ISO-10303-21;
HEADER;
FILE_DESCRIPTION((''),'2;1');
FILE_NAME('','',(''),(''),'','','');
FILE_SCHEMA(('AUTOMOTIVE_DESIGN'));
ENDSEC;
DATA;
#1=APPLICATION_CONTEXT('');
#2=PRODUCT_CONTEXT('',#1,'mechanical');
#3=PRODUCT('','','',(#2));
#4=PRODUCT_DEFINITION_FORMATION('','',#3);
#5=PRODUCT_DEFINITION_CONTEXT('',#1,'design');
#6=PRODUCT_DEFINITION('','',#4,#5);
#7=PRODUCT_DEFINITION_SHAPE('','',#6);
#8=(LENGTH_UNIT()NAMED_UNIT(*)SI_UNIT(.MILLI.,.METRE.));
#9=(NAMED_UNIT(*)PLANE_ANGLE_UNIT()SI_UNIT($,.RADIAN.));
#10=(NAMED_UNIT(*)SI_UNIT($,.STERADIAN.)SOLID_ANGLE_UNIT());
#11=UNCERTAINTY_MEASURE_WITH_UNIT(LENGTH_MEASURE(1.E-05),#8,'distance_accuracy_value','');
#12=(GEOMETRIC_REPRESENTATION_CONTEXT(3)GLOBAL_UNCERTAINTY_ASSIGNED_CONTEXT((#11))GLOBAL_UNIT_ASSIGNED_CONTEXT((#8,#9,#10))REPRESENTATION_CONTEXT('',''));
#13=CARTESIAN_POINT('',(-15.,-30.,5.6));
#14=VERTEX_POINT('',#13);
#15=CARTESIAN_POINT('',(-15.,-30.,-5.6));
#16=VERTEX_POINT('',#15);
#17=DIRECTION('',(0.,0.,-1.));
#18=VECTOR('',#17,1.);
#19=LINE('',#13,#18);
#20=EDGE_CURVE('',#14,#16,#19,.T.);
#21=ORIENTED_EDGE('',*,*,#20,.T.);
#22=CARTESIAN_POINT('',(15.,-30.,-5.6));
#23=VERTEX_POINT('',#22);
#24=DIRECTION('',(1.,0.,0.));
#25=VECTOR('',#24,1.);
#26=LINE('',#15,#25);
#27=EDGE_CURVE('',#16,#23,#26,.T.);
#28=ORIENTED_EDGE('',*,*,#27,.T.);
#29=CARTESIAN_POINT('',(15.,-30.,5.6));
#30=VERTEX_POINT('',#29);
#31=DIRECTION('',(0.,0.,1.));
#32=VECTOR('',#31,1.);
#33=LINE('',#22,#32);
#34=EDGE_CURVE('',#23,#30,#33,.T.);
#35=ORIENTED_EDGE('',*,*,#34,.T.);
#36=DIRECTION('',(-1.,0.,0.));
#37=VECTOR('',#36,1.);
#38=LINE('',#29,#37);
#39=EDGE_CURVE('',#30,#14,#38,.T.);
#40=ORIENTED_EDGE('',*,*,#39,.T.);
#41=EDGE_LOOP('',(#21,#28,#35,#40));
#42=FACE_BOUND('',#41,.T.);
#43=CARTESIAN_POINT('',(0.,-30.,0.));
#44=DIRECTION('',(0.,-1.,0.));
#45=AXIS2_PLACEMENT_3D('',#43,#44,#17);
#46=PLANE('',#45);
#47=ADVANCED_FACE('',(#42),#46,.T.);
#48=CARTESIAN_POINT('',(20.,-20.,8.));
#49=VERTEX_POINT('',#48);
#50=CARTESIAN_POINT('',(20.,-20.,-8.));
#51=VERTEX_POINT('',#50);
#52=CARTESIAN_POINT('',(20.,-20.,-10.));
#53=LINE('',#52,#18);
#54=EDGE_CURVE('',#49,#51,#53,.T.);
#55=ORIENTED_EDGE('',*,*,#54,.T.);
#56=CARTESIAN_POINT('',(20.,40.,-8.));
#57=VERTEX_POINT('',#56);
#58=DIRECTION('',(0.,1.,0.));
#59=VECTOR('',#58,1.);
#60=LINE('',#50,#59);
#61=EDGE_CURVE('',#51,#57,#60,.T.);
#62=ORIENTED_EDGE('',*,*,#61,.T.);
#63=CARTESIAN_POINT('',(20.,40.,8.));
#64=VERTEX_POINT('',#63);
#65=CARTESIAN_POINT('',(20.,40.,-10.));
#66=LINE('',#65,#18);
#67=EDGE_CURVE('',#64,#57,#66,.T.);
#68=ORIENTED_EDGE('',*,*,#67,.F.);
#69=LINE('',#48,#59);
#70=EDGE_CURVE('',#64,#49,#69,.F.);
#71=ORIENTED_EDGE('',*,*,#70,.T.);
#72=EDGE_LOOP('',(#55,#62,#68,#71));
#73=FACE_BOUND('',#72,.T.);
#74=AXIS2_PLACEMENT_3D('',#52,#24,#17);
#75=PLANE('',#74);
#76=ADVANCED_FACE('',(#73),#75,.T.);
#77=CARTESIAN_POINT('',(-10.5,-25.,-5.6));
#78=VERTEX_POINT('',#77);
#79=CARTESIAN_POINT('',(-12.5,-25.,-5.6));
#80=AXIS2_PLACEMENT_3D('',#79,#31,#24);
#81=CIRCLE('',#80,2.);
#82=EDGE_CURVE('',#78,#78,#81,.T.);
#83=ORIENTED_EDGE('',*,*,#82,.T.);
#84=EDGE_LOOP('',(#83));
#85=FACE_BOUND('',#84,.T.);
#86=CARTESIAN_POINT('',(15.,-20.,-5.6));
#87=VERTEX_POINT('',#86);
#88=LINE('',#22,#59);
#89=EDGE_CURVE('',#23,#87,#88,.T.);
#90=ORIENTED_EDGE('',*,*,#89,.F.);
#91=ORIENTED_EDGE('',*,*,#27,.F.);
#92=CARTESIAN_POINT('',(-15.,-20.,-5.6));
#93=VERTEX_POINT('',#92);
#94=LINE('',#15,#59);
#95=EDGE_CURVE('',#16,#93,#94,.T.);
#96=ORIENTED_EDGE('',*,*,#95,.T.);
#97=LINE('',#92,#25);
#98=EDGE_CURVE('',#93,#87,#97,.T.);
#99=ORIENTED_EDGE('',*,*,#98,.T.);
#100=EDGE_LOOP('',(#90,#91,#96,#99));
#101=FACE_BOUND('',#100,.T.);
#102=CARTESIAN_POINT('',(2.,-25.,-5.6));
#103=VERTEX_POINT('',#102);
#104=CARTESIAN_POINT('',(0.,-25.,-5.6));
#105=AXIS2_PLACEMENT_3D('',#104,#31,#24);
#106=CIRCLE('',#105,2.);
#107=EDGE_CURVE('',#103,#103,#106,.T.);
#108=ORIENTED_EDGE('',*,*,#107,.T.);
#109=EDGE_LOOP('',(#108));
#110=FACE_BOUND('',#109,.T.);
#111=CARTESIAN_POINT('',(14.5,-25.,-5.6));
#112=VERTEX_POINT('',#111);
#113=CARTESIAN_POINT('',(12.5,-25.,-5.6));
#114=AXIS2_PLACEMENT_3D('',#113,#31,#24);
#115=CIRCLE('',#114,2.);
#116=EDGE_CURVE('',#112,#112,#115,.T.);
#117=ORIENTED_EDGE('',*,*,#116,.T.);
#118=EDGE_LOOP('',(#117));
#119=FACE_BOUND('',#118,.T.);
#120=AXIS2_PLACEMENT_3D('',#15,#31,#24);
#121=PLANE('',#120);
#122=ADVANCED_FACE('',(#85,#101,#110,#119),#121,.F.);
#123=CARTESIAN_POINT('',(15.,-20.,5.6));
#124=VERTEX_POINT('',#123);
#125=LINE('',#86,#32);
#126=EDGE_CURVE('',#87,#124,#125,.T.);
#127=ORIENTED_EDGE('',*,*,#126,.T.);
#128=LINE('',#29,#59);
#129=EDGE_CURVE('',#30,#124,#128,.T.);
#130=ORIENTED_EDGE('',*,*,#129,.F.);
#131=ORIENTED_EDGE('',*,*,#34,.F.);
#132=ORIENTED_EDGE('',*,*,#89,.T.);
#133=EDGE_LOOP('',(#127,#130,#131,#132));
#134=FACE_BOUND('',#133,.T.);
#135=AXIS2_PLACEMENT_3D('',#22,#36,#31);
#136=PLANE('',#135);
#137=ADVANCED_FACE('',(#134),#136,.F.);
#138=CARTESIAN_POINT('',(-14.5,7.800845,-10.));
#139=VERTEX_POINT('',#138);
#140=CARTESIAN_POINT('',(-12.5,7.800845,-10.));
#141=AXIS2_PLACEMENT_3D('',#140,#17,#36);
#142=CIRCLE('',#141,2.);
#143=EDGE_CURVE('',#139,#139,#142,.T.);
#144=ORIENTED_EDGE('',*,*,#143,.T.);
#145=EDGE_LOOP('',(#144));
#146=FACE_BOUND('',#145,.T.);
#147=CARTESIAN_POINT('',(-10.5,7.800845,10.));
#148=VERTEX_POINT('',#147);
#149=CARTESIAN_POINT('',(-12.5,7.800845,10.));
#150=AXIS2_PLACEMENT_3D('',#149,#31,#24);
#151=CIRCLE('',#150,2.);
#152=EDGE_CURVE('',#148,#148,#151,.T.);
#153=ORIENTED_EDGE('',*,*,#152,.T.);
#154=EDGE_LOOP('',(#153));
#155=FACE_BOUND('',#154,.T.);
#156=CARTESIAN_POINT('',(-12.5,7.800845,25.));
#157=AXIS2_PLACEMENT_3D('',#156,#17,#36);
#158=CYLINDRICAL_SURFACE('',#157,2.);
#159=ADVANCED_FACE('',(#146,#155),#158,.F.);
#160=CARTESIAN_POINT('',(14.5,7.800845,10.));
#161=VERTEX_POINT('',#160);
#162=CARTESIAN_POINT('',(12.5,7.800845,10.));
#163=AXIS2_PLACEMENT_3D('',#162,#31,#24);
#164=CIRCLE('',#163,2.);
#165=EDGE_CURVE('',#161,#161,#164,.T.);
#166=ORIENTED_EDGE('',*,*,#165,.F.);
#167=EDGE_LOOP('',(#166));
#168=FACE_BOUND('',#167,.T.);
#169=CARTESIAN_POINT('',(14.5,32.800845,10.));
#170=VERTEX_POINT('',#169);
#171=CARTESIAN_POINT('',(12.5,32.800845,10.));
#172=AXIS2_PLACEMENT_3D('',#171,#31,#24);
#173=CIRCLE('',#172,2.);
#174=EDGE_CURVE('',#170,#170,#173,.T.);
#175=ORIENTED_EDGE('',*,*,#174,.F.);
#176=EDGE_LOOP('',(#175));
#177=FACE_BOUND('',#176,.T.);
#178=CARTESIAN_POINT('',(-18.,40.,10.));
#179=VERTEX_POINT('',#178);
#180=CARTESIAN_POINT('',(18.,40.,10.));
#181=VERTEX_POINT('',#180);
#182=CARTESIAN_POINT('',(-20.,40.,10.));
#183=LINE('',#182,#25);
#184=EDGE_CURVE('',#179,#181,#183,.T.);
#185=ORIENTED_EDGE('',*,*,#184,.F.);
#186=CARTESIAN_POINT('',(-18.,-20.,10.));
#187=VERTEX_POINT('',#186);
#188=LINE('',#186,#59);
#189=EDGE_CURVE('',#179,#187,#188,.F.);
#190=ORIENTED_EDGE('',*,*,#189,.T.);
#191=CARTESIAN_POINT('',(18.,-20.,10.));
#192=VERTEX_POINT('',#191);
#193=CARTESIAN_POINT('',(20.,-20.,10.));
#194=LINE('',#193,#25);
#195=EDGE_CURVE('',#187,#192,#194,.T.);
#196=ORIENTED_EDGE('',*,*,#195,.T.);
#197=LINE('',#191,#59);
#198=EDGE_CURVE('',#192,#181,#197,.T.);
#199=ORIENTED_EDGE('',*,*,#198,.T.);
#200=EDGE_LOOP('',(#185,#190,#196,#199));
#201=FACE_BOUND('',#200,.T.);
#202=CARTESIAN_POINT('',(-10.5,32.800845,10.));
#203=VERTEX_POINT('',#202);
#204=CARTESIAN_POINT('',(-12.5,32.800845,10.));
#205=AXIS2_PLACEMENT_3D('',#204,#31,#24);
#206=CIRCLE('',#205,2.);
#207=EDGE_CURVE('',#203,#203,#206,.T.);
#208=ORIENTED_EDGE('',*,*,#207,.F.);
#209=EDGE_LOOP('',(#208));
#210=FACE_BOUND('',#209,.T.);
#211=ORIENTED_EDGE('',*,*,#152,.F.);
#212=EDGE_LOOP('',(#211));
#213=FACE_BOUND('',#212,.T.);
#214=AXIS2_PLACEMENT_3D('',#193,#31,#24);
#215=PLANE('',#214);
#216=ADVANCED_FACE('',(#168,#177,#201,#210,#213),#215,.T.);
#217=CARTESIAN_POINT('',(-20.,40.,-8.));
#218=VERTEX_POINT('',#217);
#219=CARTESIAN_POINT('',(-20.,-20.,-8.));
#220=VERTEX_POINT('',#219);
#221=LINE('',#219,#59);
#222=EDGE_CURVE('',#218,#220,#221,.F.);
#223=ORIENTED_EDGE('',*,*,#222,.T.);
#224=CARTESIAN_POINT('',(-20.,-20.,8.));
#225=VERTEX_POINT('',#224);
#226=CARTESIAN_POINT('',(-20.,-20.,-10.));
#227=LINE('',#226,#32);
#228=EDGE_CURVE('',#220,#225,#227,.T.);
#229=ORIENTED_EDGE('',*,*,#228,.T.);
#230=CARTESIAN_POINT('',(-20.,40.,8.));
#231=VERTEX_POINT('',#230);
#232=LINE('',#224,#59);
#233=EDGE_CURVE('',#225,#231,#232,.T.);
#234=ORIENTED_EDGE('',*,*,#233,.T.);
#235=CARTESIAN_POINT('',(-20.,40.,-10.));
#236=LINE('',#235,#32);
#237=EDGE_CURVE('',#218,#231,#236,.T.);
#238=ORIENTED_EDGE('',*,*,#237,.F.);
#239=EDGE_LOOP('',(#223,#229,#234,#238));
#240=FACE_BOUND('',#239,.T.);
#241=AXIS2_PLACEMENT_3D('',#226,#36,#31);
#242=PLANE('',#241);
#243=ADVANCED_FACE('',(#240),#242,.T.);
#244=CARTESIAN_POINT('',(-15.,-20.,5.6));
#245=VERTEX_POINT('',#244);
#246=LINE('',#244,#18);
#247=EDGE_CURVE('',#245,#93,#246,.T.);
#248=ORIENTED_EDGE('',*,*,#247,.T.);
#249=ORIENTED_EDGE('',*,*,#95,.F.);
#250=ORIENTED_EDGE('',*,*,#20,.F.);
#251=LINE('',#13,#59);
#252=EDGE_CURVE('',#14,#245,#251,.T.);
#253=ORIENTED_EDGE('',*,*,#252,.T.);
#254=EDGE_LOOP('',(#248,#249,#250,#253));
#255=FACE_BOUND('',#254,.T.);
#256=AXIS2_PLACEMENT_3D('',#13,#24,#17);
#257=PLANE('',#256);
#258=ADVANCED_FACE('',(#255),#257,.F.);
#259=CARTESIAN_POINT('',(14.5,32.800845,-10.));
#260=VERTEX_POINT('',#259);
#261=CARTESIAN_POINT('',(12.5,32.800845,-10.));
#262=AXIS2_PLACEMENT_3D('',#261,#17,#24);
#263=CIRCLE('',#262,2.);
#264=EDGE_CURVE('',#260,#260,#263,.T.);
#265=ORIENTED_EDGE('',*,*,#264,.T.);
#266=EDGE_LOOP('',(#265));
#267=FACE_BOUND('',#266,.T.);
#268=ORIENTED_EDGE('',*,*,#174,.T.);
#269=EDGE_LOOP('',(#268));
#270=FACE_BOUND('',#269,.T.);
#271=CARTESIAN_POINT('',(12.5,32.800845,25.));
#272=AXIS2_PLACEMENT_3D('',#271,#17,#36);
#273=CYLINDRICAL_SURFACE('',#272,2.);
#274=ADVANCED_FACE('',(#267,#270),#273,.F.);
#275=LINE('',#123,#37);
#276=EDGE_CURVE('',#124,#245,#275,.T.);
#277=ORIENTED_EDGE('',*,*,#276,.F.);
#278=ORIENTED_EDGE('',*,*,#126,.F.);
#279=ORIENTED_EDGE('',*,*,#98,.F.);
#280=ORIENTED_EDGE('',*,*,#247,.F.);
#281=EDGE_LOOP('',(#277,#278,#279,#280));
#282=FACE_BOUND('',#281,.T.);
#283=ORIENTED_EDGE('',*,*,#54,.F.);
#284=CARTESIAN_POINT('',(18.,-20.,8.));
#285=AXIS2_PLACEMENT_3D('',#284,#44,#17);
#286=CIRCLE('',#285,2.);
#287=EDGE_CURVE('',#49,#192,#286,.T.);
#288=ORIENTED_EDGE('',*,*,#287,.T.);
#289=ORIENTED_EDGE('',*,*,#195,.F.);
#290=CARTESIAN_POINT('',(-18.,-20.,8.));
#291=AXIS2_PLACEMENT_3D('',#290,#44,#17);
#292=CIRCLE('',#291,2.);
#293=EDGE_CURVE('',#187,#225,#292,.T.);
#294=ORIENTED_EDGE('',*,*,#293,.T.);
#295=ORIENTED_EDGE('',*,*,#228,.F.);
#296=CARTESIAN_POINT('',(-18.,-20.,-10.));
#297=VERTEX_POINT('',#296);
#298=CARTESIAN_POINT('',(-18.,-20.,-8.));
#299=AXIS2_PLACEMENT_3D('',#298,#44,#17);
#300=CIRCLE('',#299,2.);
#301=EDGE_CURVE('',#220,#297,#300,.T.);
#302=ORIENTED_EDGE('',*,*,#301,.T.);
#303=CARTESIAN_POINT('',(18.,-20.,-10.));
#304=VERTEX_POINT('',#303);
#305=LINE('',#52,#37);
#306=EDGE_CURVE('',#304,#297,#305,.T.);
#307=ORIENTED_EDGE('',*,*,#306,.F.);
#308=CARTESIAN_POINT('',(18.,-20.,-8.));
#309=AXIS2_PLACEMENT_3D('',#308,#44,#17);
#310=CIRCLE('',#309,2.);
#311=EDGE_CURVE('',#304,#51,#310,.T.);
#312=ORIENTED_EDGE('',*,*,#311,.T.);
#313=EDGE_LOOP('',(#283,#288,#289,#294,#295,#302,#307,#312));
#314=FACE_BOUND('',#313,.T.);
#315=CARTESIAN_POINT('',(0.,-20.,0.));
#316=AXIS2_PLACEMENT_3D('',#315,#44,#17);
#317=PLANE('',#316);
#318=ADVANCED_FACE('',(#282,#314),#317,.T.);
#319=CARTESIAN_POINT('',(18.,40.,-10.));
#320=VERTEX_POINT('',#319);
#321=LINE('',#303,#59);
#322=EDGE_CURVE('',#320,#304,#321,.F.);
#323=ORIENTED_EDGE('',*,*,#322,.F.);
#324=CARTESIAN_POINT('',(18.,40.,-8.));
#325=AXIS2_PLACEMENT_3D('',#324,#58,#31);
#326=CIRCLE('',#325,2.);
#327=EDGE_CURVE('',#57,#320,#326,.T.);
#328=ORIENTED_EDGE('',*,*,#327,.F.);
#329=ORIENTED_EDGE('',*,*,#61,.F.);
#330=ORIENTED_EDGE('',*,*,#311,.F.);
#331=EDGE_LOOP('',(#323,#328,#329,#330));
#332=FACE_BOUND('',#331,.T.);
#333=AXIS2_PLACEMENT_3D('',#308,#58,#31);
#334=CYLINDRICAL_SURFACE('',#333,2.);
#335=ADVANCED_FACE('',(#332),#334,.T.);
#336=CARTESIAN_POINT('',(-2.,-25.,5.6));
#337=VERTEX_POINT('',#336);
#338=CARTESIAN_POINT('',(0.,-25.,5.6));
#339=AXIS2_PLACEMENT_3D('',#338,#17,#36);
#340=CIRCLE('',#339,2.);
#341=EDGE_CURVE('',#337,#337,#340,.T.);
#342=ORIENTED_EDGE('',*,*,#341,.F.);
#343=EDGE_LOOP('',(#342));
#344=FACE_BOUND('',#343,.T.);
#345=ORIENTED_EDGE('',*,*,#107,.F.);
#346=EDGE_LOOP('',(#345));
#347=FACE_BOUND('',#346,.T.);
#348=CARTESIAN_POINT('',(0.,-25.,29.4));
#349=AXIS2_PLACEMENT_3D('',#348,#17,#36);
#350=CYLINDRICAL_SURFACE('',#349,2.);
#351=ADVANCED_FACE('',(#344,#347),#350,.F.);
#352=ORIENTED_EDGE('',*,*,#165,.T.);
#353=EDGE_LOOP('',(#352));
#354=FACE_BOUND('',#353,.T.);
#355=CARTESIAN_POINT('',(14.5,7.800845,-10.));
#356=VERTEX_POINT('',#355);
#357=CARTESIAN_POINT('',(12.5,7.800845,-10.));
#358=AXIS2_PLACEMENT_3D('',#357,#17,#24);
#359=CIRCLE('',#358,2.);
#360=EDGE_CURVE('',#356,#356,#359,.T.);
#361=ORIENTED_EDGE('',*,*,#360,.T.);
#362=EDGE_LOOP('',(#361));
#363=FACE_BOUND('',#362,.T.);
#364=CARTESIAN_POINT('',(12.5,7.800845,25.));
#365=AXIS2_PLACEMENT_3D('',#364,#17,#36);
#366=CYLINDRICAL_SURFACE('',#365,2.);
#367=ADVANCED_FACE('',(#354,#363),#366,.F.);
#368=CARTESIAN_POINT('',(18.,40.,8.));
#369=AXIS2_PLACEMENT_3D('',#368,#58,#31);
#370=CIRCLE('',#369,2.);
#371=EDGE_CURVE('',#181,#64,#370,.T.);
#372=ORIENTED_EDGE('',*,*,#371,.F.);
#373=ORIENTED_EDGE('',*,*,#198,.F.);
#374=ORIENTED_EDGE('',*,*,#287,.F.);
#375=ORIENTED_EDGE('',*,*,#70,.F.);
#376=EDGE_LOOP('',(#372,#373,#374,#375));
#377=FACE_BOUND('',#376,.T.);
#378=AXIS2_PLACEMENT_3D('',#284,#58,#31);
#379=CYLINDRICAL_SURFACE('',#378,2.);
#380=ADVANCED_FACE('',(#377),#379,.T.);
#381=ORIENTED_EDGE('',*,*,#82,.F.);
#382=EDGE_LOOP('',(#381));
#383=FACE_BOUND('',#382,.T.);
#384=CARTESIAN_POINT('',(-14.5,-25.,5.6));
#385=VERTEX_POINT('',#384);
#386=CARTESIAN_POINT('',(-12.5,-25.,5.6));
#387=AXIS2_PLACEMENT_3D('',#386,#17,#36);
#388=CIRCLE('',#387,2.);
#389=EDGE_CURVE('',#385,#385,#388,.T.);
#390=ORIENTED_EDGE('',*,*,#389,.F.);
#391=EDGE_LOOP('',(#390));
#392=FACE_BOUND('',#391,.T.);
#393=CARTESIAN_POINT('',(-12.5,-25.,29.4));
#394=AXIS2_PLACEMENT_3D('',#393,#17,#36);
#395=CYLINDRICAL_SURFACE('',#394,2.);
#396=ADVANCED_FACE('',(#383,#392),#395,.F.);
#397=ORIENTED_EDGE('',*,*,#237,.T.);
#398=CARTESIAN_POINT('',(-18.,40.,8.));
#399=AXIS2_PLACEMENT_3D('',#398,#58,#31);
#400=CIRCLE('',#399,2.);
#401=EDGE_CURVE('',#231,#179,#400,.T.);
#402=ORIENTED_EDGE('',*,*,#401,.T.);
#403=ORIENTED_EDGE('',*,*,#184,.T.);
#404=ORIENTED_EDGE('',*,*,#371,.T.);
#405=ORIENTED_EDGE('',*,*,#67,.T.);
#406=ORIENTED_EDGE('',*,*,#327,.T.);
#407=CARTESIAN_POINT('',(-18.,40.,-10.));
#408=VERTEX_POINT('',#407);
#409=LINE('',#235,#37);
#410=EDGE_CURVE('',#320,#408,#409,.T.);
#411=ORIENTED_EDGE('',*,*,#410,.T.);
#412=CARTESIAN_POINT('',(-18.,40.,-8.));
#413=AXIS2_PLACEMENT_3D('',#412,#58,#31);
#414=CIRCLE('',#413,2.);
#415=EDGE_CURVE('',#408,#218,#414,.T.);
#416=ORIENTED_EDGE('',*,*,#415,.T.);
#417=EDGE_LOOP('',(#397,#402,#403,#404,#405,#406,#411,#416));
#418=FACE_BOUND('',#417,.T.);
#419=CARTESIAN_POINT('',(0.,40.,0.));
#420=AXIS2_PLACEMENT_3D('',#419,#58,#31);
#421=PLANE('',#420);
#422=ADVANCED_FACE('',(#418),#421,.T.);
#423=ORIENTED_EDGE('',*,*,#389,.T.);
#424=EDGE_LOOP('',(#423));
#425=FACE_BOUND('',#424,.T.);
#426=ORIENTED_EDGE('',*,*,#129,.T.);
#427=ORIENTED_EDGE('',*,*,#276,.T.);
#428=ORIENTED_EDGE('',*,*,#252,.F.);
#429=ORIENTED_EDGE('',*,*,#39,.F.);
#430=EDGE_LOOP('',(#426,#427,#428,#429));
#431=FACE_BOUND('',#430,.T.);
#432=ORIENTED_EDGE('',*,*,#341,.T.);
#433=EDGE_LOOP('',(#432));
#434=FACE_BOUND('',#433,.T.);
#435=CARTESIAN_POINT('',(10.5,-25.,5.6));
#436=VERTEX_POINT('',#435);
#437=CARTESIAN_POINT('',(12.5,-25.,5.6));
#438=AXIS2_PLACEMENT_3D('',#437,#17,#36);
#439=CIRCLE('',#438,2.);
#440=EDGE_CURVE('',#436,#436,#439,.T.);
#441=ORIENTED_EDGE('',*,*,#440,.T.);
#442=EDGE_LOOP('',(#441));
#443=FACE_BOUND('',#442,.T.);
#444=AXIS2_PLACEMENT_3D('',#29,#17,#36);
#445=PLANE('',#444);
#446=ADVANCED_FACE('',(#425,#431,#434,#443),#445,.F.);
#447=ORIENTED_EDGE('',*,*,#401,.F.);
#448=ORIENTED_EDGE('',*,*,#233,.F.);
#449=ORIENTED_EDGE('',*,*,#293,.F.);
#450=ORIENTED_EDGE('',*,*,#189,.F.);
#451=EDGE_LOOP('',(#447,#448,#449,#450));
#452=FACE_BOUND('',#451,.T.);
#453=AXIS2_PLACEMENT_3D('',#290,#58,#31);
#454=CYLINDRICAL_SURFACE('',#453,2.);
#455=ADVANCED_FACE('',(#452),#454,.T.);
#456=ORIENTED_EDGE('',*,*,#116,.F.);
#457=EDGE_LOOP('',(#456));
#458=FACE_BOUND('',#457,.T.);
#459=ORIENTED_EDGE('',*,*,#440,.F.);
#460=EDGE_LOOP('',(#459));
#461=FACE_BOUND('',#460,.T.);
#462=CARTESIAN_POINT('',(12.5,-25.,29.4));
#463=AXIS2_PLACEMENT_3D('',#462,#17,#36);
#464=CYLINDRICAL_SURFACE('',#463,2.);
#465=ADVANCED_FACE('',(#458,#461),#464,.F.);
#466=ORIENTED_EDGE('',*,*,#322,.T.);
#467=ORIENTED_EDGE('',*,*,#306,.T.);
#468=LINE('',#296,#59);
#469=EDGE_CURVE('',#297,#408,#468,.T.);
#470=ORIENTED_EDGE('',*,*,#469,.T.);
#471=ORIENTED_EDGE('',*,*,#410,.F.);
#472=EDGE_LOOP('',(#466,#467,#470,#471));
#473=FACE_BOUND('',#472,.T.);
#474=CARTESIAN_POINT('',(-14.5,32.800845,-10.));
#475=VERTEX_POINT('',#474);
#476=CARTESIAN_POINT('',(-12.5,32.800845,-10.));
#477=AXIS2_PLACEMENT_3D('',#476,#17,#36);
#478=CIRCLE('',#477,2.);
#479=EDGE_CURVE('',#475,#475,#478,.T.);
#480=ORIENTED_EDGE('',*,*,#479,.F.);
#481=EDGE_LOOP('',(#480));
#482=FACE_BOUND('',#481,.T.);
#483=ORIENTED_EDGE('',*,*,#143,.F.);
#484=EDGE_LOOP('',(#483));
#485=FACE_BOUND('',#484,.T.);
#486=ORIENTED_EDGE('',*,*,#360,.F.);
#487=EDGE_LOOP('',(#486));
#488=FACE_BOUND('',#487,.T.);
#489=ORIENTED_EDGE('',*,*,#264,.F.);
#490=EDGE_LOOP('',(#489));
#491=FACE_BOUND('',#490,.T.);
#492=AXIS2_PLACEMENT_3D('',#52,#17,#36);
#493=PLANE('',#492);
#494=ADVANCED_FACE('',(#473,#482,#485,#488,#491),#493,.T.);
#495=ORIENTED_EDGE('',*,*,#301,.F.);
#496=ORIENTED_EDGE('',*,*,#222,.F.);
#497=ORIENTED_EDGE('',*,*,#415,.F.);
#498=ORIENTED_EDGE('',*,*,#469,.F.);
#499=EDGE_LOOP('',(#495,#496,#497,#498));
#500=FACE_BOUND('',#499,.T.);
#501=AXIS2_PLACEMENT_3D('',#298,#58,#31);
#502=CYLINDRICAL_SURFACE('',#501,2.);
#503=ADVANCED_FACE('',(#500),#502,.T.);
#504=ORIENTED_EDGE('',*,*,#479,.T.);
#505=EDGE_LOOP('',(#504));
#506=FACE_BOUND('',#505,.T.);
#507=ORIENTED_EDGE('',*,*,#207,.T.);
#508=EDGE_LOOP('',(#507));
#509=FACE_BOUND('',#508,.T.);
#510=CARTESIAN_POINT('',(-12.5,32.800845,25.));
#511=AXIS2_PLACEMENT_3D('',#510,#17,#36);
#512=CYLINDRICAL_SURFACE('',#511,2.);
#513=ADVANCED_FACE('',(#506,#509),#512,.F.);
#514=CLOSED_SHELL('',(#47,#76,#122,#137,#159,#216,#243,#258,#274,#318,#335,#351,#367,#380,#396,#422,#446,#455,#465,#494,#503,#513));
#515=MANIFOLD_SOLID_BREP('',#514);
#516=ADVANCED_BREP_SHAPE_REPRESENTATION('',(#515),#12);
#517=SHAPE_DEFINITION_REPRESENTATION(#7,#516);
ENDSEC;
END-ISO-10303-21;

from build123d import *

# Parameters (mm, degrees)
SKETCH1_W           = 40
SKETCH1_H           = 20
BOSS_EXTRUDE1_DEPTH = 20
SKETCH3_W           = 40
SKETCH3_H           = 20
BOSS_EXTRUDE2_DEPTH = 40
SKETCH4_W           = 30
SKETCH4_H           = 11.2
BOSS_EXTRUDE3_DEPTH = 10
SKETCH5_R           = 2
CUT_EXTRUDE1_DEPTH  = 35
SKETCH6_R           = 2
CUT_EXTRUDE2_DEPTH  = 35
FILLET2_R           = 2


with BuildPart() as part:
    # Sketch1 → Boss-Extrude1 (new body)
    with BuildSketch(Plane(origin=(0, 0, 0), x_dir=(1, 0, 0), z_dir=(0, 1, 0))):
        Rectangle(SKETCH1_W, SKETCH1_H)
    extrude(amount=-BOSS_EXTRUDE1_DEPTH)

    # Sketch3 → Boss-Extrude2 (add)
    with BuildSketch(Plane(origin=(0, 0, 0), x_dir=(1, 0, 0), z_dir=(0, 1, 0))):
        Rectangle(SKETCH3_W, SKETCH3_H)
    extrude(amount=BOSS_EXTRUDE2_DEPTH)

    # Sketch4 → Boss-Extrude3 (add)
    with BuildSketch(Plane.XZ.offset(20)):
        Rectangle(SKETCH4_W, SKETCH4_H)
    extrude(amount=BOSS_EXTRUDE3_DEPTH)

    # Sketch5 → Cut-Extrude1 (cut, symmetric)
    with BuildSketch(Plane(origin=(0, 0, -5.6), x_dir=(-1, 0, 0), z_dir=(0, 0, -1))):
        with Locations((0, -25)):
            Circle(SKETCH5_R)
        with Locations((12.5, -25)):
            Circle(SKETCH5_R)
        with Locations((-12.5, -25)):
            Circle(SKETCH5_R)
    extrude(amount=CUT_EXTRUDE1_DEPTH, both=True, mode=Mode.SUBTRACT)

    # Sketch6 → Cut-Extrude2 (cut)
    with BuildSketch(Plane(origin=(0, 0, -10), x_dir=(-1, 0, 0), z_dir=(0, 0, -1))):
        with Locations((12.5, 7.800844988)):
            Circle(SKETCH6_R)
        with Locations((12.5, 32.800844988)):
            Circle(SKETCH6_R)
        with Locations(Location((-12.5, 32.800844988, 0), (0, 0, 180))):
            Circle(SKETCH6_R)
        with Locations(Location((-12.5, 7.800844988, 0), (0, 0, 180))):
            Circle(SKETCH6_R)
    extrude(amount=-CUT_EXTRUDE2_DEPTH, mode=Mode.SUBTRACT)

    # Fillet2
    fillet2_edges = [part.edges().sort_by_distance(p)[0] for p in [
        (-20, 10, -10),
        (20, 10, -10),
        (20, 10, 10),
        (-20, 10, 10),
    ]]
    fillet(fillet2_edges, radius=FILLET2_R)


solid = part.part
